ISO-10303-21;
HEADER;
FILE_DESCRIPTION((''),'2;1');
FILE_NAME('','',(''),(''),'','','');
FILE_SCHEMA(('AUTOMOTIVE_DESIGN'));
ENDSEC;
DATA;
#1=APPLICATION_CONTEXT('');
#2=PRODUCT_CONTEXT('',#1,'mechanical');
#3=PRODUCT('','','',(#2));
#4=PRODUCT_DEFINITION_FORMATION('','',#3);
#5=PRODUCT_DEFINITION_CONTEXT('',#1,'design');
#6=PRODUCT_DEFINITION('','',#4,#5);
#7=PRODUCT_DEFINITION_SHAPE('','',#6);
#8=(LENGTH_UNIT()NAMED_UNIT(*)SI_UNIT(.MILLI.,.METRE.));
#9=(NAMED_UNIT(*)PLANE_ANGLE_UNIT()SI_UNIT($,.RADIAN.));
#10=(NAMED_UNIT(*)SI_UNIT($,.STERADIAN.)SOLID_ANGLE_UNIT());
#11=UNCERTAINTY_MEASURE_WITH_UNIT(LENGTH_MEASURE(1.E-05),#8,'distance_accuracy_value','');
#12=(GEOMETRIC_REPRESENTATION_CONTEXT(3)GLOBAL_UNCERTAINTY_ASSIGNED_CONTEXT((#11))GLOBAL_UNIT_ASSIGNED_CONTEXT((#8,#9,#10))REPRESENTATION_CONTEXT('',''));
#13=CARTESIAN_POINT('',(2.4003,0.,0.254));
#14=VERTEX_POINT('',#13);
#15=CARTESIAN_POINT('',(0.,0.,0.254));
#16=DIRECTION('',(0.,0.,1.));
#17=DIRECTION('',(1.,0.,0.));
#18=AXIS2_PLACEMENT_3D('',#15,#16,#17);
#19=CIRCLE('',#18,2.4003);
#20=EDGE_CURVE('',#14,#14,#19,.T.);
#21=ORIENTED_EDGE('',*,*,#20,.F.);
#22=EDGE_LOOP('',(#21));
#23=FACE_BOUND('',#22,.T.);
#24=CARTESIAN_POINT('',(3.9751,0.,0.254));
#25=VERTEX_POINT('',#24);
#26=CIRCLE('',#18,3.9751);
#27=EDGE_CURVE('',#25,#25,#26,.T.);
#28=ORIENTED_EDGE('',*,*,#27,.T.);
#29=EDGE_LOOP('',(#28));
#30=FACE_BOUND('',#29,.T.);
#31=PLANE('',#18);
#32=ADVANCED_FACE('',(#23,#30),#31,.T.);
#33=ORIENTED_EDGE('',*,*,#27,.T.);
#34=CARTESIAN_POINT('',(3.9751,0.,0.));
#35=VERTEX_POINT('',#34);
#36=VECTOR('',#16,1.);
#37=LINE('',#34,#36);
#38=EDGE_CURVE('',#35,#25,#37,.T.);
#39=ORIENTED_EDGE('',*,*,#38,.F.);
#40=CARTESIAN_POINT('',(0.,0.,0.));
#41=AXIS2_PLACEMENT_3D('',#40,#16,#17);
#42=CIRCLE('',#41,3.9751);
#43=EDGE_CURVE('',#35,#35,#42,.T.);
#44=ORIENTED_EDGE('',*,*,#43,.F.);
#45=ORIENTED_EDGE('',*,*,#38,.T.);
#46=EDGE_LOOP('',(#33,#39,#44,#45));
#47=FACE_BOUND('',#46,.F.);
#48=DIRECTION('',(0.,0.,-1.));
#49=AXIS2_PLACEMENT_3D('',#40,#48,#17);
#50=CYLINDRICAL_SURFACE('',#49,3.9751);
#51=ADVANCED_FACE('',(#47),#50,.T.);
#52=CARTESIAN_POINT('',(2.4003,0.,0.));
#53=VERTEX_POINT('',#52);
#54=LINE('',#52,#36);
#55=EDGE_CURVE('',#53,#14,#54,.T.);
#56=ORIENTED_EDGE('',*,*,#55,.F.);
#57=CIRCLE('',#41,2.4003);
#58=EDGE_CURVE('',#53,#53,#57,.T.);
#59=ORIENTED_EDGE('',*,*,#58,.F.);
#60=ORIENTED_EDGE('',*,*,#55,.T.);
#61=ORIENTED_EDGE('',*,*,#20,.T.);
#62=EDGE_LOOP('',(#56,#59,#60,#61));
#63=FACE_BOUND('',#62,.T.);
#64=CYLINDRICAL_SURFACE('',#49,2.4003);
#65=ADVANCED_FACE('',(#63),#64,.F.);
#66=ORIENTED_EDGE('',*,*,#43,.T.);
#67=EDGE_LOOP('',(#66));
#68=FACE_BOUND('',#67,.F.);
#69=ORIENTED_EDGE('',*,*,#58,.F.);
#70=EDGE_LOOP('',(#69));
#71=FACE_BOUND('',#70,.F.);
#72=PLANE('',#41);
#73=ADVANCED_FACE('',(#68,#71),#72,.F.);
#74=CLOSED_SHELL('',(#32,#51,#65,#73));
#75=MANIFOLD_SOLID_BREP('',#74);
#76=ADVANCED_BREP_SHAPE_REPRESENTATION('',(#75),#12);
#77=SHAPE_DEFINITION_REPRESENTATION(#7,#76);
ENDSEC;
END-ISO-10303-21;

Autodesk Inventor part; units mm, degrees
ref_plane "YZ Plane" through (0, 0, 0) normal (1, 0, 0) x (0, 1, 0)
ref_plane "XZ Plane" through (0, 0, 0) normal (0, 1, 0) x (-1, 0, 0)
ref_plane "XY Plane" through (0, 0, 0) normal (0, 0, 1) x (1, 0, 0)
sketch "Sketch1" plane through (0, 0, 0) normal (0, 0, 1) x (1, 0, 0)
  circle A0 centre (0, 0) radius 2.4003
  circle A1 centre (0, 0) radius 3.9751
  dimension "d0" = 4.8006
  dimension "d1" = 7.9502
extrude "Extrusion1" add sketch "Sketch1" along normal blind 0.254
properties part number "MCMASTER 90792A312" material "Stainless Steel"
